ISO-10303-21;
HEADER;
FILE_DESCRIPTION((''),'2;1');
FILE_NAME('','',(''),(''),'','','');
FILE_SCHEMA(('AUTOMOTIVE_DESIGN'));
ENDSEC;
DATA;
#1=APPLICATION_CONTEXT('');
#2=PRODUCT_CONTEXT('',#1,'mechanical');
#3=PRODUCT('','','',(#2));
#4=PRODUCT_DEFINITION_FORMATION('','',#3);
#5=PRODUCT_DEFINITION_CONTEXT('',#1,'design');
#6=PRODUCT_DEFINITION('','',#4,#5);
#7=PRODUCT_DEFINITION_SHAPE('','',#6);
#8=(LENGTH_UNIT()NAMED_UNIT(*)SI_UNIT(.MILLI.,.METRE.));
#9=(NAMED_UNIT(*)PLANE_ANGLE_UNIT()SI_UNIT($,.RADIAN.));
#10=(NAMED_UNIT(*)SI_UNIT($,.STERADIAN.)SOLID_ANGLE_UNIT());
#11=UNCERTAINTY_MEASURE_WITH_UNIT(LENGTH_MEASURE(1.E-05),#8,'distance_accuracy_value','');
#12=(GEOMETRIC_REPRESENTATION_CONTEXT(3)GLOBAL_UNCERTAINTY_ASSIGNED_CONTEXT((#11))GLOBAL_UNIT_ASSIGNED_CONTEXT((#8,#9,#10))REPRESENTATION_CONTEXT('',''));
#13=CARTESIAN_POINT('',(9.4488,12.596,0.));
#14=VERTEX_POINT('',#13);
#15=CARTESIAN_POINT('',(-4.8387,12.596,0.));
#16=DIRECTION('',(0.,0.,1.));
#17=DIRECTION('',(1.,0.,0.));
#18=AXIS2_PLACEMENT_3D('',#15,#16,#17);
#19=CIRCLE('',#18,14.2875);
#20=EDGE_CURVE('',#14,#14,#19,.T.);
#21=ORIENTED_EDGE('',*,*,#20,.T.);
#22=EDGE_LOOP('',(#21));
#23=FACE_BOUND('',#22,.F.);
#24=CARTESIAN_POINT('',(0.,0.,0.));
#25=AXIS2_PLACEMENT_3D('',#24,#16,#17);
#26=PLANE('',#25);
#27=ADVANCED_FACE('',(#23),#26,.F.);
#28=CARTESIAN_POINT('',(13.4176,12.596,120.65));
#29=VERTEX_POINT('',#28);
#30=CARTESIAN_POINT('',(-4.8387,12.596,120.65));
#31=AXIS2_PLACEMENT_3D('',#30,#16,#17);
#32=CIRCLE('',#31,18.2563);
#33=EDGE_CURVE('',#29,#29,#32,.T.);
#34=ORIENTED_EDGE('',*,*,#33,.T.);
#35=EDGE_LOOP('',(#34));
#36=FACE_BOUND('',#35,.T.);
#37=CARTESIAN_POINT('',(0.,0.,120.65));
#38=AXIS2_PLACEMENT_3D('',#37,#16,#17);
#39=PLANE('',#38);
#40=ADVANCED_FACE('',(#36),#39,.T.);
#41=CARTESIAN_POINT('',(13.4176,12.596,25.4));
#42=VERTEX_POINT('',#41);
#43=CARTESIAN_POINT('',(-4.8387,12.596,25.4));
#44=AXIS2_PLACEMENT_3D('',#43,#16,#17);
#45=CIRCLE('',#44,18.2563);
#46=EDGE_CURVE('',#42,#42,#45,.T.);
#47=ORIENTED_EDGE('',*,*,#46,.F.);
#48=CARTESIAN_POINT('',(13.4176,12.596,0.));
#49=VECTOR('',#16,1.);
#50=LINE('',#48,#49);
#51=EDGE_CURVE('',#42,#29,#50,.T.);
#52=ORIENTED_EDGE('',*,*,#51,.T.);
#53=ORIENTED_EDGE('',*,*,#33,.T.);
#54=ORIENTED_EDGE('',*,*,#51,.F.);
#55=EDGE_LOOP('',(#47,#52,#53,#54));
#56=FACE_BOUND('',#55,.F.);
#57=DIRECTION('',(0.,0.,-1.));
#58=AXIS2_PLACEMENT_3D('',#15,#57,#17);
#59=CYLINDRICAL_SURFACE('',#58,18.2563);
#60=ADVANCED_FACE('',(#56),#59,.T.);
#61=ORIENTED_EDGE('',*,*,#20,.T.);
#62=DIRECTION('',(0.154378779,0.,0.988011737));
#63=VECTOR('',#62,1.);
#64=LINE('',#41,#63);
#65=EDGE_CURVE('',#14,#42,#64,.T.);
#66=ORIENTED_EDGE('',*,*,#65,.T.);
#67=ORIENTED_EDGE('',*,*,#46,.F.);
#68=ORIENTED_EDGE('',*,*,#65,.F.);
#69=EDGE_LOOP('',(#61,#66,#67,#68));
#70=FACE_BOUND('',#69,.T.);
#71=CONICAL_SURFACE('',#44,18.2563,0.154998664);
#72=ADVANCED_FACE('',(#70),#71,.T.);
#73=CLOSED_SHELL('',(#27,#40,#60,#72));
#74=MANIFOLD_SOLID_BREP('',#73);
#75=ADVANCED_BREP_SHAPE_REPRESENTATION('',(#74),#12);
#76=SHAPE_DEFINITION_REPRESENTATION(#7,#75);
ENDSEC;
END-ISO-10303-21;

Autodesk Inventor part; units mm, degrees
ref_plane "YZ Plane" through (0, 0, 0) normal (1, 0, 0) x (0, 1, 0)
ref_plane "XZ Plane" through (0, 0, 0) normal (0, 1, 0) x (-1, 0, 0)
ref_plane "XY Plane" through (0, 0, 0) normal (0, 0, 1) x (1, 0, 0)
sketch "Sketch1" plane through (0, 0, 0) normal (0, 0, 1) x (1, 0, 0)
  circle A0 centre (-4.8387, 12.596) radius 18.2563
  dimension "d0" = 36.5125
extrude "Extrusion1" add sketch "Sketch1" along normal blind 120.65
chamfer "Chamfer1" distance 3.9688 distance2 25.4 1 edges at (-23.095, 12.596, 0) measured on face at (1.1407, 16.9825, 0)
properties part number "FE-00002-02"
